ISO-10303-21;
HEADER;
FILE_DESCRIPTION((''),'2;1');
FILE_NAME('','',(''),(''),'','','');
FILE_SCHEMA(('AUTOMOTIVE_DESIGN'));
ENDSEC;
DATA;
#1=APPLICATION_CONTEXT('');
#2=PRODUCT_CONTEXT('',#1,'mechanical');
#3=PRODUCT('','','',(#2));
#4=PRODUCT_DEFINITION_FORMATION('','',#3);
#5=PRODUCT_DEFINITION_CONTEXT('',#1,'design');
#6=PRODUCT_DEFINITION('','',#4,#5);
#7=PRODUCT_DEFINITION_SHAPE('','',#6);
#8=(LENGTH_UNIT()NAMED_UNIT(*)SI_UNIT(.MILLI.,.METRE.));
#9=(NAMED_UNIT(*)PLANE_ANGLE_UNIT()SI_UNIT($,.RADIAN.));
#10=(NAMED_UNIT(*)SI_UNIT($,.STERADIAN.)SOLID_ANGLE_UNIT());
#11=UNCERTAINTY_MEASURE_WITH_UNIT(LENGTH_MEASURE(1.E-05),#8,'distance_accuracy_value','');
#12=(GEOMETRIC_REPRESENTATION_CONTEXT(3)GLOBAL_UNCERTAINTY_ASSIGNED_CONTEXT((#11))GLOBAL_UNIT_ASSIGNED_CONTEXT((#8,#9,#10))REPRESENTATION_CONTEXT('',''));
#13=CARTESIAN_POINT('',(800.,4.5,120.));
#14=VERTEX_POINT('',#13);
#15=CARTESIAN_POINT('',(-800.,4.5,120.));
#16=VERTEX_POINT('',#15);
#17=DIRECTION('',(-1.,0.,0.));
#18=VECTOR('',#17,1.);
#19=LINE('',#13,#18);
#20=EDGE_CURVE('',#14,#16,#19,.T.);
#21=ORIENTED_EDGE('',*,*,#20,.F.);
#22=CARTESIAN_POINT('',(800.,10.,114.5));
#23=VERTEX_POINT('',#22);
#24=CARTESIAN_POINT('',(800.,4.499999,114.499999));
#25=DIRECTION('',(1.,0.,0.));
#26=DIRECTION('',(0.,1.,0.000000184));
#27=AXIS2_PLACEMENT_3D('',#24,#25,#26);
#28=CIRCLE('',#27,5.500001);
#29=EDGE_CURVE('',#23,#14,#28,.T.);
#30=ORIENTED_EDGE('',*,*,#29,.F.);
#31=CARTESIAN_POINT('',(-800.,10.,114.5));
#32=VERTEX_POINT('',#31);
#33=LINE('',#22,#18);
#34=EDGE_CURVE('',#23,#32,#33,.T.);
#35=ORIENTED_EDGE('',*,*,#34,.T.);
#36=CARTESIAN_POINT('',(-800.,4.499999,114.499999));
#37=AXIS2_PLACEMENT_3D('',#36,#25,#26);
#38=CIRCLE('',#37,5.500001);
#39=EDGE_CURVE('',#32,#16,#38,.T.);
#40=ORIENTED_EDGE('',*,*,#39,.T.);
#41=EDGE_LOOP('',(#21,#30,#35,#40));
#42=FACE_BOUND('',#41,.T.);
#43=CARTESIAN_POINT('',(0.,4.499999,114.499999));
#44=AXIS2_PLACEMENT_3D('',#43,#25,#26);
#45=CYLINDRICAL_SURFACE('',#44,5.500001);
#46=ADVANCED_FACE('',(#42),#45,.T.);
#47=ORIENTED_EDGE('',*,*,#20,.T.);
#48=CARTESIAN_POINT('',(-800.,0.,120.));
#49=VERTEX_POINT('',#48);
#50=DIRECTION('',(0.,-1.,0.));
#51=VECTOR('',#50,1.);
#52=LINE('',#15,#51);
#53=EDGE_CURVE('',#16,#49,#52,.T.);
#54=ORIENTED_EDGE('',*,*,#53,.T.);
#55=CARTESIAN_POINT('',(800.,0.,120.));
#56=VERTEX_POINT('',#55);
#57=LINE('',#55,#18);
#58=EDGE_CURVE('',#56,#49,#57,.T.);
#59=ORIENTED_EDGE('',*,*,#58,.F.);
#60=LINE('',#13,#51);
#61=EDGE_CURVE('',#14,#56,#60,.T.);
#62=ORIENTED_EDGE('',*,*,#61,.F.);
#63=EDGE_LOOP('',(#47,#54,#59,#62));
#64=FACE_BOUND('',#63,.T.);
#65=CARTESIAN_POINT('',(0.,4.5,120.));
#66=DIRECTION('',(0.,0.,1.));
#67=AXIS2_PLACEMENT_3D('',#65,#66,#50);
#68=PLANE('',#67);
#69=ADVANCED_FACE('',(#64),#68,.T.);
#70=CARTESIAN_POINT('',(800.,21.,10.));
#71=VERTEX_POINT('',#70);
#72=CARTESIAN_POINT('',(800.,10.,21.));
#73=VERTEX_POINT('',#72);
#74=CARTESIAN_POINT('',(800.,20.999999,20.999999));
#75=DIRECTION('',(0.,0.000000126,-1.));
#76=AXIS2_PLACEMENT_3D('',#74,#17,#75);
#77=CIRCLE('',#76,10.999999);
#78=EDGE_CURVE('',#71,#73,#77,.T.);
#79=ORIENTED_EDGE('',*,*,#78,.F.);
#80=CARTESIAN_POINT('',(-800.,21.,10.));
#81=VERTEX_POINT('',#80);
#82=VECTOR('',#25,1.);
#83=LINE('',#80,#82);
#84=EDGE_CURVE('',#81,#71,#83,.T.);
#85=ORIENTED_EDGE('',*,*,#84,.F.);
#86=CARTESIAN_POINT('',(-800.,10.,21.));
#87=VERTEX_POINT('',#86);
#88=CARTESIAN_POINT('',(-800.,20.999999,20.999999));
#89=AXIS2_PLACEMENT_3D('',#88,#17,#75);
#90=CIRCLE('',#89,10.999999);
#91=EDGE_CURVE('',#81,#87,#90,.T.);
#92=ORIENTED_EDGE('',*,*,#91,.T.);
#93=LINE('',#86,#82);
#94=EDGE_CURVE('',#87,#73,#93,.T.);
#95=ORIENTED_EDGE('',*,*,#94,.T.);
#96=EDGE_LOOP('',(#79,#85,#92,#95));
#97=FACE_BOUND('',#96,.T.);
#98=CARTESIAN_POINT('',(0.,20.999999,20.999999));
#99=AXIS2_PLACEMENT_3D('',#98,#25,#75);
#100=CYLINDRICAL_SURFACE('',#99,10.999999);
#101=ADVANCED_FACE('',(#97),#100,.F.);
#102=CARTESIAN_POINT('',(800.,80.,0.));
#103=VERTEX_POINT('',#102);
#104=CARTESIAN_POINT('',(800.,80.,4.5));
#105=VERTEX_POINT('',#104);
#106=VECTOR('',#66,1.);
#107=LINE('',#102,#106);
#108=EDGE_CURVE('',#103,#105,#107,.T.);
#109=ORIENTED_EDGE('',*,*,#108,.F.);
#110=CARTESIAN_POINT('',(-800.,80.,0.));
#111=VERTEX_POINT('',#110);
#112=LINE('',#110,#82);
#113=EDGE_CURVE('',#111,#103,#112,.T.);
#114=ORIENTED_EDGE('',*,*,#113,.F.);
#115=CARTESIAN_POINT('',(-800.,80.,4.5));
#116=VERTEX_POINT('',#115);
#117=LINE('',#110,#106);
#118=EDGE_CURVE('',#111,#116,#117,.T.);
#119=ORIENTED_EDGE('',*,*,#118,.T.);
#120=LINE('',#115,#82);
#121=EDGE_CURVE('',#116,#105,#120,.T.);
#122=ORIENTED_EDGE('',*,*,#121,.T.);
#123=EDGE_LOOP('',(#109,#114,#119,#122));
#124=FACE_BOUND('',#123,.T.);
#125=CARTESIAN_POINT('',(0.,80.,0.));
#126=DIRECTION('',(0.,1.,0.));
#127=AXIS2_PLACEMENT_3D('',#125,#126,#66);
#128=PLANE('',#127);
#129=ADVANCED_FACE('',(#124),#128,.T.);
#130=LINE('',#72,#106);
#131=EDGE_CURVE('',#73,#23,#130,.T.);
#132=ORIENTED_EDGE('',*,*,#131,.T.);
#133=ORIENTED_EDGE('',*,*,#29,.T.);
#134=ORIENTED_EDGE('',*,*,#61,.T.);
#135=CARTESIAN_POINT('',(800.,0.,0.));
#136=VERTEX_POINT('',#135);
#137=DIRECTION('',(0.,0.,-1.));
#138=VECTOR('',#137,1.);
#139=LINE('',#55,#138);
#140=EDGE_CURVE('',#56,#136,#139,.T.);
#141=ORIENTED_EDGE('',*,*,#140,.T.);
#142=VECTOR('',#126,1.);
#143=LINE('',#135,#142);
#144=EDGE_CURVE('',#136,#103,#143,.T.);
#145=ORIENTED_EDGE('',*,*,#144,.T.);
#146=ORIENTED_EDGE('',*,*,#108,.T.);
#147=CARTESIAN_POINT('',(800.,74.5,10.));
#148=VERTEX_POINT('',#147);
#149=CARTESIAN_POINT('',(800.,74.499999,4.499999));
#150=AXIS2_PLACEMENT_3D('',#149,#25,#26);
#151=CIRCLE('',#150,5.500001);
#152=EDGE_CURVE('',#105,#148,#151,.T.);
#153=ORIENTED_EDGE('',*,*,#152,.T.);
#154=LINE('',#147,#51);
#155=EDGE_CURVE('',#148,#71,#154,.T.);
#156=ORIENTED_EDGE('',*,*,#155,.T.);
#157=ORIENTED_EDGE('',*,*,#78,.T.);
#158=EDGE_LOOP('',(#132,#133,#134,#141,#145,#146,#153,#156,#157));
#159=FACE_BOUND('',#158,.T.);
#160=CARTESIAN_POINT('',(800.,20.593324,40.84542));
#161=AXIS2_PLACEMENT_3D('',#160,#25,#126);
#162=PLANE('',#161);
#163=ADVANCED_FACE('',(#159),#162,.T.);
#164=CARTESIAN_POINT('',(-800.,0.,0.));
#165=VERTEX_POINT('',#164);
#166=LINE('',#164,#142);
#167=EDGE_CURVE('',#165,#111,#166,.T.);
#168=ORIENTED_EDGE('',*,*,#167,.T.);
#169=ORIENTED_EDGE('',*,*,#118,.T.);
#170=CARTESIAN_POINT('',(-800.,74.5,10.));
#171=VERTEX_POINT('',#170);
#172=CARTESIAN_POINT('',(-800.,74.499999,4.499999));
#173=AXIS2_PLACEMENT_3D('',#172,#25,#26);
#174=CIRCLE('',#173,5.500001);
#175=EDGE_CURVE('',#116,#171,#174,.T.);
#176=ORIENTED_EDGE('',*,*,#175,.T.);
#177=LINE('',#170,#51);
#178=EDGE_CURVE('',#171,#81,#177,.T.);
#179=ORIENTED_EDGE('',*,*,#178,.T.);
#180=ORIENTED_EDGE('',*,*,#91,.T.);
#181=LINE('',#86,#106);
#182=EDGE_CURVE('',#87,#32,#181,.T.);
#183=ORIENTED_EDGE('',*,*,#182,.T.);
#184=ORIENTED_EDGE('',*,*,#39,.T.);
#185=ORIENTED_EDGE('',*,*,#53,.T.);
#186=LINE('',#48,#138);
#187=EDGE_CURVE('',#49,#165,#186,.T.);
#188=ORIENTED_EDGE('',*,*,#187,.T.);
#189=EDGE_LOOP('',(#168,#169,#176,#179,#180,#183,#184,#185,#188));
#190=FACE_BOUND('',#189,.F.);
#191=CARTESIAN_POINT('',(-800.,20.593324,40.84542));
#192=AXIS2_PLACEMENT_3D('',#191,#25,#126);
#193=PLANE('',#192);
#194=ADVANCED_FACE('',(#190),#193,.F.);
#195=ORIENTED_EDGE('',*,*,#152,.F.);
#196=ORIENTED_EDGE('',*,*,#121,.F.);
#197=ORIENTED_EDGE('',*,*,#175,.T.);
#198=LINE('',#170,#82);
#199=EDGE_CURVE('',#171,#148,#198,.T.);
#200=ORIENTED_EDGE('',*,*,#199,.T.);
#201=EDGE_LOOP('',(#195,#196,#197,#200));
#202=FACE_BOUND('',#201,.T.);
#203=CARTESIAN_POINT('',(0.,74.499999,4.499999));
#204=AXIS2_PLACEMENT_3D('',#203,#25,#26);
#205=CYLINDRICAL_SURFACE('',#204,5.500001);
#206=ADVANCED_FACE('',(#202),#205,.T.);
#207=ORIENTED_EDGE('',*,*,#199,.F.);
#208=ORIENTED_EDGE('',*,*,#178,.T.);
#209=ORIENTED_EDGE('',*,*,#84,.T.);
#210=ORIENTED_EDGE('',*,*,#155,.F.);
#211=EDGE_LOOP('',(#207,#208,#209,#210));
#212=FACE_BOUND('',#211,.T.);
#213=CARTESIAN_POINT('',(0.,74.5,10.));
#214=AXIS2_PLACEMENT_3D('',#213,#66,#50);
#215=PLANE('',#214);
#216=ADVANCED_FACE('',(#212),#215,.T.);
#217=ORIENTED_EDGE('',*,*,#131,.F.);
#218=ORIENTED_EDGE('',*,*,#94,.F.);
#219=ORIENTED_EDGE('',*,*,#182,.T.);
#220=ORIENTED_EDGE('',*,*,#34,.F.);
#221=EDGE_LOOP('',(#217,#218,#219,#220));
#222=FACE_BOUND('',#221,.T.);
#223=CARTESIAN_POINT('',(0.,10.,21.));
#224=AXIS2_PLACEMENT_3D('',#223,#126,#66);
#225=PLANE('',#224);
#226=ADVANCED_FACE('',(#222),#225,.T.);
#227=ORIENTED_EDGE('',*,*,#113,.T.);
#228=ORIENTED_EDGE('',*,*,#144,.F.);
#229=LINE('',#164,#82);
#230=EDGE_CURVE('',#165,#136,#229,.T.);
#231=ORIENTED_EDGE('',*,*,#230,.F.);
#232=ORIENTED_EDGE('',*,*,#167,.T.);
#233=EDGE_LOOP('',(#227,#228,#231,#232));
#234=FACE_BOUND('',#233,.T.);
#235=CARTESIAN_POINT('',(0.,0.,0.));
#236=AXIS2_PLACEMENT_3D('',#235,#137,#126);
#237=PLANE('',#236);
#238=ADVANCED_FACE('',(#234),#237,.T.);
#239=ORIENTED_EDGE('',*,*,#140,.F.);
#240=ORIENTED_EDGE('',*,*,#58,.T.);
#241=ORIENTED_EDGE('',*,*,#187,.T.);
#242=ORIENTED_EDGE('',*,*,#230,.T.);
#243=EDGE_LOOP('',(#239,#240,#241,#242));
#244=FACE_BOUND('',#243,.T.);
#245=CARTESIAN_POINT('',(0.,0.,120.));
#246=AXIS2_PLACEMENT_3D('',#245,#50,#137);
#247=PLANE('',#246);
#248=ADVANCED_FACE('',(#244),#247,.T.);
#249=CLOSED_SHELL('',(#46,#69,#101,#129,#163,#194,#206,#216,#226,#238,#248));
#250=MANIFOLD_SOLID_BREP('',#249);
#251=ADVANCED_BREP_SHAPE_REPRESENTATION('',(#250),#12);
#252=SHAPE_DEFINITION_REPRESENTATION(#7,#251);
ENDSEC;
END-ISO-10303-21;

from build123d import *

# Parameters (mm, degrees)
F1_DEPTH = 800


with BuildPart() as f1:
    # F0 (on Right) → F1 (new body, symmetric)
    with BuildSketch(Plane.YZ):
        with BuildLine():
            Line((0, 120), (0, 0))
            Line((0, 0), (80, 0))
            Line((80, 0), (80, 4.5))
            ThreePointArc((80, 4.5), (78.389087, 8.389087), (74.5, 10))
            Line((74.5, 10), (21, 10))
            ThreePointArc((21, 10), (13.221825, 13.221825), (10, 21))
            Line((10, 21), (10, 114.5))
            ThreePointArc((10, 114.5), (8.389087, 118.389087), (4.5, 120))
            Line((4.5, 120), (0, 120))
        make_face()
    extrude(amount=F1_DEPTH, both=True)


solid = f1.part
